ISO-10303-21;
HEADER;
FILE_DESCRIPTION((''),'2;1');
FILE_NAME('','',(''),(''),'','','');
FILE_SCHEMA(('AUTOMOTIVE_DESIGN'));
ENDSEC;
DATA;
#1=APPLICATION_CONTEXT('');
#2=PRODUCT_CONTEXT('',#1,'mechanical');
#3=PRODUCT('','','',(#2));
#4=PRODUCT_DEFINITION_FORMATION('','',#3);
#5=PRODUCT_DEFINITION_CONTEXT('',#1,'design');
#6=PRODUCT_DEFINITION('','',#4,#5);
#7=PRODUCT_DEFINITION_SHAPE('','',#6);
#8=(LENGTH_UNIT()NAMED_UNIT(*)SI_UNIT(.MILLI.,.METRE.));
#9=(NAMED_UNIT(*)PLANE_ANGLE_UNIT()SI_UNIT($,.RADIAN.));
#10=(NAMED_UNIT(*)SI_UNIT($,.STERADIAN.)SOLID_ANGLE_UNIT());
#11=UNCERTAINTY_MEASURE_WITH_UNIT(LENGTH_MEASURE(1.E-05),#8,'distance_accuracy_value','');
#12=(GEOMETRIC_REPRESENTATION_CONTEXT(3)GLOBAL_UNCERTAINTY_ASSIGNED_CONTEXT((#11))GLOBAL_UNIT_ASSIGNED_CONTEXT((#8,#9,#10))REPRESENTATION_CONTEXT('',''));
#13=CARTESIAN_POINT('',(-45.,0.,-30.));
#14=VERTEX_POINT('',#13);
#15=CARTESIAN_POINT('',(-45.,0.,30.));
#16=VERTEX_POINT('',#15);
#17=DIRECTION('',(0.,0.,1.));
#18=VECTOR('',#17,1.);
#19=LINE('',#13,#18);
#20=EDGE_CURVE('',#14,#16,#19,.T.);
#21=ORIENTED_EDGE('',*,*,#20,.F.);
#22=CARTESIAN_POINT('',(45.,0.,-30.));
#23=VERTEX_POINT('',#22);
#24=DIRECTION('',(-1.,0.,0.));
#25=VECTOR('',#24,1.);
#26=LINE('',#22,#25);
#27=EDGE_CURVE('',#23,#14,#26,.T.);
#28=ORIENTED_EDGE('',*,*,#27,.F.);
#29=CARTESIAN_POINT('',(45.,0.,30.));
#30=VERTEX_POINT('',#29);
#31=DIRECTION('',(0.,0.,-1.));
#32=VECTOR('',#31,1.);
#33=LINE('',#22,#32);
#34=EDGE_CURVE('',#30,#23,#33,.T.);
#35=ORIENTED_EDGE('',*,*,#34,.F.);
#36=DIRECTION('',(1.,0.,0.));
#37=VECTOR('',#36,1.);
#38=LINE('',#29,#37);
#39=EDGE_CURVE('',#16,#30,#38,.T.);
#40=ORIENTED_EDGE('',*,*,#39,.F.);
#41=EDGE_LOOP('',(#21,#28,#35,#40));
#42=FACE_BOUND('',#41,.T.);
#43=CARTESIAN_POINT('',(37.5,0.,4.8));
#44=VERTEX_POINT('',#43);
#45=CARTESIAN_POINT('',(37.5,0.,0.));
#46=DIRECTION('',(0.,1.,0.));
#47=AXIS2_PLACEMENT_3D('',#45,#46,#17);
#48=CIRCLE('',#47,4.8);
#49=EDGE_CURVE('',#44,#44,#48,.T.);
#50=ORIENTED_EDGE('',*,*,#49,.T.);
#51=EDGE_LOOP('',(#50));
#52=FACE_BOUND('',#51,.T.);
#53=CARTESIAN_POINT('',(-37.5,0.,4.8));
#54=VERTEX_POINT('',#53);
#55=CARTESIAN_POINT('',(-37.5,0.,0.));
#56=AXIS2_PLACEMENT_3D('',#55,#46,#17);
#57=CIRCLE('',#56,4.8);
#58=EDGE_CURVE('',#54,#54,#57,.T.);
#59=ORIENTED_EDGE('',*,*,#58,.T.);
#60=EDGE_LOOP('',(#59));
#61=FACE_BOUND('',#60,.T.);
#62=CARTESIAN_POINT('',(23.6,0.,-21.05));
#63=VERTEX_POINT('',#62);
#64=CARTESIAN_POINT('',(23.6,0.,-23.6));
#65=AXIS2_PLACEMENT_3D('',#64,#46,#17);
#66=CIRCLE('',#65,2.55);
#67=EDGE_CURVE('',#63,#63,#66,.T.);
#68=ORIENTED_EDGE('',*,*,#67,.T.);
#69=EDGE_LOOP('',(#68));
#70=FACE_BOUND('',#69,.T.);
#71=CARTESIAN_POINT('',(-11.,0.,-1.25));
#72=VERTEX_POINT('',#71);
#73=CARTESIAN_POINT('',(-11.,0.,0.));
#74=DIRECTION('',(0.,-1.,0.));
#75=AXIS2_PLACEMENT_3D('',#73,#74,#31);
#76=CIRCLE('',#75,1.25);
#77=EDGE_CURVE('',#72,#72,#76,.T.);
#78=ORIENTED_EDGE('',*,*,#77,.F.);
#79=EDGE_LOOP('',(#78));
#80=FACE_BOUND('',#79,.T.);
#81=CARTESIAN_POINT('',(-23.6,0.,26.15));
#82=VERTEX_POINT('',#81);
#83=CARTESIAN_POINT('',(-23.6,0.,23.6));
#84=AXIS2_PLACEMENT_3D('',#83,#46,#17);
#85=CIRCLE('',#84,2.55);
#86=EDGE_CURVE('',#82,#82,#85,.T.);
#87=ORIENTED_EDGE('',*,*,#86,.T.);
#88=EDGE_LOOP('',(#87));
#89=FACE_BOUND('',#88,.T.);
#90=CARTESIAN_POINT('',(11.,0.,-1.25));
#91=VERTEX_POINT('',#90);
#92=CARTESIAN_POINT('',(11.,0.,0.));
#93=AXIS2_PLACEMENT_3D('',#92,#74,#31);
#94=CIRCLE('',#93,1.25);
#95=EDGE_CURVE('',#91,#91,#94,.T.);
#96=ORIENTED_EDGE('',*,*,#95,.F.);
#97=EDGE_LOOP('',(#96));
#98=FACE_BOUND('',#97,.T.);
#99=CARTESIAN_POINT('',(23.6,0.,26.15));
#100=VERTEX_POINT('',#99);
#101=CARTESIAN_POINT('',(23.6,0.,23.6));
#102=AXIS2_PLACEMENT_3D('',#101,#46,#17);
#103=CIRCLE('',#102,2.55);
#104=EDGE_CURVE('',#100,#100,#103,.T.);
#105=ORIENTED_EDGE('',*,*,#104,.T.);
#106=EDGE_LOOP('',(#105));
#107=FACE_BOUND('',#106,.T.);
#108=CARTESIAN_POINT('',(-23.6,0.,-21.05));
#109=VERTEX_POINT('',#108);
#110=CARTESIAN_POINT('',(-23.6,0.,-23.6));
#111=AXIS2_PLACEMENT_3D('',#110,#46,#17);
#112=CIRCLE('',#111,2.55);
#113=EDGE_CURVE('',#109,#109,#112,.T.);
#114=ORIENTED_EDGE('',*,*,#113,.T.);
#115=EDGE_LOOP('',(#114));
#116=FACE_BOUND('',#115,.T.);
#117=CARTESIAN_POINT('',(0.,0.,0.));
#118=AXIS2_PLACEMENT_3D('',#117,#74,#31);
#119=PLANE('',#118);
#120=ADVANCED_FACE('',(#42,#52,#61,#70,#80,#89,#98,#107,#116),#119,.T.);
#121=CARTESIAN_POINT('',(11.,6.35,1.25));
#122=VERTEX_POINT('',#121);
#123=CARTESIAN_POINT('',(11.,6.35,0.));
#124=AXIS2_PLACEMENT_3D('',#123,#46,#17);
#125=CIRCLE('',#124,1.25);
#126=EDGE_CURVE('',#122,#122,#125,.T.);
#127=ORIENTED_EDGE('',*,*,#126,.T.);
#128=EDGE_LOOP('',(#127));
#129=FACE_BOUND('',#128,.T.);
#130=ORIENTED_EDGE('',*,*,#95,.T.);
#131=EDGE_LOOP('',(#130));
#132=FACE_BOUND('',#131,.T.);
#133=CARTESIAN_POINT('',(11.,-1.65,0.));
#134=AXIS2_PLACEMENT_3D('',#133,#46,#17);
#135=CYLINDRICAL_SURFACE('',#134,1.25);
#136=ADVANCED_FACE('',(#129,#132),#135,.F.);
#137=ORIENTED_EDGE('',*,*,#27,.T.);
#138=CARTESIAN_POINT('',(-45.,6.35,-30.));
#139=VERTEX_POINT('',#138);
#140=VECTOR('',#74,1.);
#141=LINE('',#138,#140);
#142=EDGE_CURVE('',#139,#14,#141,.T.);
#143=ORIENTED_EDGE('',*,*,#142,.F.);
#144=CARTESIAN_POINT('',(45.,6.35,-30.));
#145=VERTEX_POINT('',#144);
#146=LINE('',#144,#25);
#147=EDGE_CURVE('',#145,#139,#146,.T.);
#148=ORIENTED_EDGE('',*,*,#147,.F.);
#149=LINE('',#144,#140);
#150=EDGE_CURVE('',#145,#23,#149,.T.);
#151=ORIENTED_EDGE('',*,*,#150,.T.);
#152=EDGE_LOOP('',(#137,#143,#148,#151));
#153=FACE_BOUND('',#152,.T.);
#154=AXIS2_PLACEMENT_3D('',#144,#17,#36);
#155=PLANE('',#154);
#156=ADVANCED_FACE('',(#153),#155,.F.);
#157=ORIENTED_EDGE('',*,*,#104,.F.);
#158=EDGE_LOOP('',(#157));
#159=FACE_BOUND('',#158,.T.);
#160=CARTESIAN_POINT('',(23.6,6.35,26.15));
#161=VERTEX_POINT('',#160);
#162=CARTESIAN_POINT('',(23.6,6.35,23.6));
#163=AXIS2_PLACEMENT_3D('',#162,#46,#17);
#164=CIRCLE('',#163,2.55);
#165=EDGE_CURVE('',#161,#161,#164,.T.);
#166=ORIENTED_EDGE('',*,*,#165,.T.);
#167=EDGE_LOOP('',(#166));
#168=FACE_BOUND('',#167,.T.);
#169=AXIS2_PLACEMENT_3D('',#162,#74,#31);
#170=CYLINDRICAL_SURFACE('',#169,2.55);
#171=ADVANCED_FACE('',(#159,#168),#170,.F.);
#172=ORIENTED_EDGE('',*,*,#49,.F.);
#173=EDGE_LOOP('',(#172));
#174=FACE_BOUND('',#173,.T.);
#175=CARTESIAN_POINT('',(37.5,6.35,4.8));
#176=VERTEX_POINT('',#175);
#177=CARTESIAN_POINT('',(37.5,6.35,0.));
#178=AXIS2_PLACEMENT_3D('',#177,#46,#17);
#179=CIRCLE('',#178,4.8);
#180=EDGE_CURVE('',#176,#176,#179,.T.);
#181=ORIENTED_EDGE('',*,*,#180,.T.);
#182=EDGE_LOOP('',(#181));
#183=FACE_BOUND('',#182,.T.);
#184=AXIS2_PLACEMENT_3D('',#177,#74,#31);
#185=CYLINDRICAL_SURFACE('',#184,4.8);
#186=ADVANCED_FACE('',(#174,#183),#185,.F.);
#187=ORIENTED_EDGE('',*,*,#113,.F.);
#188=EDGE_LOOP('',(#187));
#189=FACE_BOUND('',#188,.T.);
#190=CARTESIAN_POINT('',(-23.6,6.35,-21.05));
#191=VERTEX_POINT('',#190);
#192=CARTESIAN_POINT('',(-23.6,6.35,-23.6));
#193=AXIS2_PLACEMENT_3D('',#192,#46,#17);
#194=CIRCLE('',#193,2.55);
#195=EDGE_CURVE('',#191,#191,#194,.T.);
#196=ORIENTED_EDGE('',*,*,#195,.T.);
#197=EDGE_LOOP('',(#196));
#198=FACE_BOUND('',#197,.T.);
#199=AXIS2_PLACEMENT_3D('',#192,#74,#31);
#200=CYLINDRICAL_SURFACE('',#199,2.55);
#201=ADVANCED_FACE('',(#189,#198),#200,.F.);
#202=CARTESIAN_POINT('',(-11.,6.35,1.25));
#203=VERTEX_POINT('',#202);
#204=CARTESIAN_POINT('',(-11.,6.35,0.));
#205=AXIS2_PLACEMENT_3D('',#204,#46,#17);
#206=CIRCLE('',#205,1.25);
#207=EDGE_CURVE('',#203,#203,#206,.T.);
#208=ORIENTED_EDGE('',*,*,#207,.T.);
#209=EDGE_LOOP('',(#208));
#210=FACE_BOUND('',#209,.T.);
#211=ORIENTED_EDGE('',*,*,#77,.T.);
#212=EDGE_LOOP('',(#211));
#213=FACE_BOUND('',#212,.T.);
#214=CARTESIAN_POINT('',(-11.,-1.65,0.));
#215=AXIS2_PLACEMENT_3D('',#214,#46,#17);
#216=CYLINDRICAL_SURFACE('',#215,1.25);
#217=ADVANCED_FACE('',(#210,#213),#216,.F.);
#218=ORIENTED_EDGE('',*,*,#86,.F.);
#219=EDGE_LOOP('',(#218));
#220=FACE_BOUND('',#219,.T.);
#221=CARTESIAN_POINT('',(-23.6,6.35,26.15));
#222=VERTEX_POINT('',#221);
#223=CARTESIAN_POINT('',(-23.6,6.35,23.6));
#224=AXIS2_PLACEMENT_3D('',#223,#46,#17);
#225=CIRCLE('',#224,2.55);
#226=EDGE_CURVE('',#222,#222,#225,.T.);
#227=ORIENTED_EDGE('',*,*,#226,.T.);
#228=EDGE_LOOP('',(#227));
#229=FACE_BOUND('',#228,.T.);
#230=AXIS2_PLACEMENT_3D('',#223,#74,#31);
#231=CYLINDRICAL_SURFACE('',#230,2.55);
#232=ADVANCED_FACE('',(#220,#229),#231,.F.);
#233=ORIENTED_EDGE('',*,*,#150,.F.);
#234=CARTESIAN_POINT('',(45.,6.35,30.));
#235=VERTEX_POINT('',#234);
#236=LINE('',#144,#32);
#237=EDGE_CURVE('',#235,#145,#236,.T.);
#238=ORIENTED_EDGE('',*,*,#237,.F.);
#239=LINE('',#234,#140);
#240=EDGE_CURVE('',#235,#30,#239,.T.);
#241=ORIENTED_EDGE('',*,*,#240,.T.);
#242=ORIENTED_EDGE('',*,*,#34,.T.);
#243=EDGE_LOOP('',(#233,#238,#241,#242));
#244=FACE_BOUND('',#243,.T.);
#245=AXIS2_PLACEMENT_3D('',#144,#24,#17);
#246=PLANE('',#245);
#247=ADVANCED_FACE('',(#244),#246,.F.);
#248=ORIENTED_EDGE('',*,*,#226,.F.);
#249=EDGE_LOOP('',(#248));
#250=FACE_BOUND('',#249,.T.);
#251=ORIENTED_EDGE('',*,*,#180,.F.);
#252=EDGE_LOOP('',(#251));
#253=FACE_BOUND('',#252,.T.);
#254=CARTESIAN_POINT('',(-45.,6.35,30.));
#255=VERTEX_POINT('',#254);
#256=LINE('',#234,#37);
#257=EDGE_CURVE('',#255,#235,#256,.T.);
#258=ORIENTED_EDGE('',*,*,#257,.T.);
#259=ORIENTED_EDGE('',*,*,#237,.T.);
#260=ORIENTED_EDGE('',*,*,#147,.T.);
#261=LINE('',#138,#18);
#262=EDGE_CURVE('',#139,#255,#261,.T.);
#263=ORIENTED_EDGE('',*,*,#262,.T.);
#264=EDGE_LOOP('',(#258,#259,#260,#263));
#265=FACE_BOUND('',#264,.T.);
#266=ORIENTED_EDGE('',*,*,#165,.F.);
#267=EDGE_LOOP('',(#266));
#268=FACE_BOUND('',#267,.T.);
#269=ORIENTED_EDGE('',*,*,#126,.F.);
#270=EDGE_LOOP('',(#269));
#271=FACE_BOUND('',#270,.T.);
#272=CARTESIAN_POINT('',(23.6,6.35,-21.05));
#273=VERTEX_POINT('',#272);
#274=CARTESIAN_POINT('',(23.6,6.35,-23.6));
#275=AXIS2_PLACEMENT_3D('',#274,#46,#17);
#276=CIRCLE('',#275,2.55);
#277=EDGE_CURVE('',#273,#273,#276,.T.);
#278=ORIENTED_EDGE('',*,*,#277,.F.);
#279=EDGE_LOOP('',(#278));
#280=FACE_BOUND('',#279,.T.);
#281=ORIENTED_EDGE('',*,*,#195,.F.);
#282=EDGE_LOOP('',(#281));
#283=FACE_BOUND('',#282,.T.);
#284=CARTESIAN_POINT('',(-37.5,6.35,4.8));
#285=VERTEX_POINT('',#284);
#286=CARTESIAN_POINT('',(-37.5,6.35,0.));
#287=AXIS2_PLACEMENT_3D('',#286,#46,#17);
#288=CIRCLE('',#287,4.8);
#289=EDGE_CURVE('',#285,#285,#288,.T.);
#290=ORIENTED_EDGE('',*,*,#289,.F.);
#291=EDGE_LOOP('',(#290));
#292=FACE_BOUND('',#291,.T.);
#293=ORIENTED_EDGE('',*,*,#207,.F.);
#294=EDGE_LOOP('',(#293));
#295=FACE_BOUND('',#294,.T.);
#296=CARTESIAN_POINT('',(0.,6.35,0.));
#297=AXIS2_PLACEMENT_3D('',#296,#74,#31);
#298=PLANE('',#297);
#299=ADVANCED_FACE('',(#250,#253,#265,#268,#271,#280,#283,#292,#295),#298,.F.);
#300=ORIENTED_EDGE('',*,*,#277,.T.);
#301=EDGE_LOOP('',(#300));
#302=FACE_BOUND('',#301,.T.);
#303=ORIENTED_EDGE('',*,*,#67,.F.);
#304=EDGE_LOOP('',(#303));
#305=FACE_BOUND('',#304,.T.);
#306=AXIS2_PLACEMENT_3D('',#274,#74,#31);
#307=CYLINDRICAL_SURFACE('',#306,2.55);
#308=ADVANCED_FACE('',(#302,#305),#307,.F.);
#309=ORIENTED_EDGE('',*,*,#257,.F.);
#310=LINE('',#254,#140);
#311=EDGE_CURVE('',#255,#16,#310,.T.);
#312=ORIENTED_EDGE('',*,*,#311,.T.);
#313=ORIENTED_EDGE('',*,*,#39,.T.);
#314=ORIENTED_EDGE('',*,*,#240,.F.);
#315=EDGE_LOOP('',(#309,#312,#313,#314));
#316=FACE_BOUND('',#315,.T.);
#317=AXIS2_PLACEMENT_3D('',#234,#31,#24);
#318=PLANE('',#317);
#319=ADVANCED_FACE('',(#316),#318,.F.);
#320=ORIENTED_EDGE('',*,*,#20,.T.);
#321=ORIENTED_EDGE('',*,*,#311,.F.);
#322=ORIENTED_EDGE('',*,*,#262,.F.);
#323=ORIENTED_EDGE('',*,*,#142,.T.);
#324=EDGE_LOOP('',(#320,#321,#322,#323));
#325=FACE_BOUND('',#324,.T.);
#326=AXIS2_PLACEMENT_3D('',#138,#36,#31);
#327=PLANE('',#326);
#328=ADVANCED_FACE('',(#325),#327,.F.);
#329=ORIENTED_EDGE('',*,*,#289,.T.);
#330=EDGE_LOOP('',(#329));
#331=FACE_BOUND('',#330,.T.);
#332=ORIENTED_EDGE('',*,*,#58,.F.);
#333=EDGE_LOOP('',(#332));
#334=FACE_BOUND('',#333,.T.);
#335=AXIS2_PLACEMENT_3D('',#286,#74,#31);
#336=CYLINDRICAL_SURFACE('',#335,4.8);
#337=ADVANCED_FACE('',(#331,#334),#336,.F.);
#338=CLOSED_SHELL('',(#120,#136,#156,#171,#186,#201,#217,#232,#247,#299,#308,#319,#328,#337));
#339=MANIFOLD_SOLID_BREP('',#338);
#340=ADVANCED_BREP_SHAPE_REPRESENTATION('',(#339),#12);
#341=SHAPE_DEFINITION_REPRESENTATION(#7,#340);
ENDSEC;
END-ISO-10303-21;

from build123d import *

# Parameters (mm, degrees)
SKETCH1_W           = 90
SKETCH1_H           = 60
SKETCH1_R           = 4.8
SKETCH1_R_2         = 2.55
BOSS_EXTRUDE1_DEPTH = 6.35
SKETCH3_R           = 1.25
CUT_EXTRUDE1_DEPTH  = 8


with BuildPart() as part:
    # Sketch1 → Boss-Extrude1 (new body)
    with BuildSketch(Plane(origin=(0, 0, 0), x_dir=(1, 0, 0), z_dir=(0, 1, 0))):
        Rectangle(SKETCH1_W, SKETCH1_H)
        with Locations((-37.5, 0)):
            Circle(SKETCH1_R, mode=Mode.SUBTRACT)
        with Locations((37.5, 0)):
            Circle(SKETCH1_R, mode=Mode.SUBTRACT)
        with Locations((-23.6, -23.6)):
            Circle(SKETCH1_R_2, mode=Mode.SUBTRACT)
        with Locations((23.6, -23.6)):
            Circle(SKETCH1_R_2, mode=Mode.SUBTRACT)
        with Locations((23.6, 23.6)):
            Circle(SKETCH1_R_2, mode=Mode.SUBTRACT)
        with Locations((-23.6, 23.6)):
            Circle(SKETCH1_R_2, mode=Mode.SUBTRACT)
    extrude(amount=BOSS_EXTRUDE1_DEPTH)

    # Sketch3 → Cut-Extrude1 (cut)
    with BuildSketch(Plane(origin=(0, 6.35, 0), x_dir=(1, 0, 0), z_dir=(0, 1, 0))):
        with Locations((-11, 0)):
            Circle(SKETCH3_R)
        with Locations((11, 0)):
            Circle(SKETCH3_R)
    extrude(amount=-CUT_EXTRUDE1_DEPTH, mode=Mode.SUBTRACT)


solid = part.part
